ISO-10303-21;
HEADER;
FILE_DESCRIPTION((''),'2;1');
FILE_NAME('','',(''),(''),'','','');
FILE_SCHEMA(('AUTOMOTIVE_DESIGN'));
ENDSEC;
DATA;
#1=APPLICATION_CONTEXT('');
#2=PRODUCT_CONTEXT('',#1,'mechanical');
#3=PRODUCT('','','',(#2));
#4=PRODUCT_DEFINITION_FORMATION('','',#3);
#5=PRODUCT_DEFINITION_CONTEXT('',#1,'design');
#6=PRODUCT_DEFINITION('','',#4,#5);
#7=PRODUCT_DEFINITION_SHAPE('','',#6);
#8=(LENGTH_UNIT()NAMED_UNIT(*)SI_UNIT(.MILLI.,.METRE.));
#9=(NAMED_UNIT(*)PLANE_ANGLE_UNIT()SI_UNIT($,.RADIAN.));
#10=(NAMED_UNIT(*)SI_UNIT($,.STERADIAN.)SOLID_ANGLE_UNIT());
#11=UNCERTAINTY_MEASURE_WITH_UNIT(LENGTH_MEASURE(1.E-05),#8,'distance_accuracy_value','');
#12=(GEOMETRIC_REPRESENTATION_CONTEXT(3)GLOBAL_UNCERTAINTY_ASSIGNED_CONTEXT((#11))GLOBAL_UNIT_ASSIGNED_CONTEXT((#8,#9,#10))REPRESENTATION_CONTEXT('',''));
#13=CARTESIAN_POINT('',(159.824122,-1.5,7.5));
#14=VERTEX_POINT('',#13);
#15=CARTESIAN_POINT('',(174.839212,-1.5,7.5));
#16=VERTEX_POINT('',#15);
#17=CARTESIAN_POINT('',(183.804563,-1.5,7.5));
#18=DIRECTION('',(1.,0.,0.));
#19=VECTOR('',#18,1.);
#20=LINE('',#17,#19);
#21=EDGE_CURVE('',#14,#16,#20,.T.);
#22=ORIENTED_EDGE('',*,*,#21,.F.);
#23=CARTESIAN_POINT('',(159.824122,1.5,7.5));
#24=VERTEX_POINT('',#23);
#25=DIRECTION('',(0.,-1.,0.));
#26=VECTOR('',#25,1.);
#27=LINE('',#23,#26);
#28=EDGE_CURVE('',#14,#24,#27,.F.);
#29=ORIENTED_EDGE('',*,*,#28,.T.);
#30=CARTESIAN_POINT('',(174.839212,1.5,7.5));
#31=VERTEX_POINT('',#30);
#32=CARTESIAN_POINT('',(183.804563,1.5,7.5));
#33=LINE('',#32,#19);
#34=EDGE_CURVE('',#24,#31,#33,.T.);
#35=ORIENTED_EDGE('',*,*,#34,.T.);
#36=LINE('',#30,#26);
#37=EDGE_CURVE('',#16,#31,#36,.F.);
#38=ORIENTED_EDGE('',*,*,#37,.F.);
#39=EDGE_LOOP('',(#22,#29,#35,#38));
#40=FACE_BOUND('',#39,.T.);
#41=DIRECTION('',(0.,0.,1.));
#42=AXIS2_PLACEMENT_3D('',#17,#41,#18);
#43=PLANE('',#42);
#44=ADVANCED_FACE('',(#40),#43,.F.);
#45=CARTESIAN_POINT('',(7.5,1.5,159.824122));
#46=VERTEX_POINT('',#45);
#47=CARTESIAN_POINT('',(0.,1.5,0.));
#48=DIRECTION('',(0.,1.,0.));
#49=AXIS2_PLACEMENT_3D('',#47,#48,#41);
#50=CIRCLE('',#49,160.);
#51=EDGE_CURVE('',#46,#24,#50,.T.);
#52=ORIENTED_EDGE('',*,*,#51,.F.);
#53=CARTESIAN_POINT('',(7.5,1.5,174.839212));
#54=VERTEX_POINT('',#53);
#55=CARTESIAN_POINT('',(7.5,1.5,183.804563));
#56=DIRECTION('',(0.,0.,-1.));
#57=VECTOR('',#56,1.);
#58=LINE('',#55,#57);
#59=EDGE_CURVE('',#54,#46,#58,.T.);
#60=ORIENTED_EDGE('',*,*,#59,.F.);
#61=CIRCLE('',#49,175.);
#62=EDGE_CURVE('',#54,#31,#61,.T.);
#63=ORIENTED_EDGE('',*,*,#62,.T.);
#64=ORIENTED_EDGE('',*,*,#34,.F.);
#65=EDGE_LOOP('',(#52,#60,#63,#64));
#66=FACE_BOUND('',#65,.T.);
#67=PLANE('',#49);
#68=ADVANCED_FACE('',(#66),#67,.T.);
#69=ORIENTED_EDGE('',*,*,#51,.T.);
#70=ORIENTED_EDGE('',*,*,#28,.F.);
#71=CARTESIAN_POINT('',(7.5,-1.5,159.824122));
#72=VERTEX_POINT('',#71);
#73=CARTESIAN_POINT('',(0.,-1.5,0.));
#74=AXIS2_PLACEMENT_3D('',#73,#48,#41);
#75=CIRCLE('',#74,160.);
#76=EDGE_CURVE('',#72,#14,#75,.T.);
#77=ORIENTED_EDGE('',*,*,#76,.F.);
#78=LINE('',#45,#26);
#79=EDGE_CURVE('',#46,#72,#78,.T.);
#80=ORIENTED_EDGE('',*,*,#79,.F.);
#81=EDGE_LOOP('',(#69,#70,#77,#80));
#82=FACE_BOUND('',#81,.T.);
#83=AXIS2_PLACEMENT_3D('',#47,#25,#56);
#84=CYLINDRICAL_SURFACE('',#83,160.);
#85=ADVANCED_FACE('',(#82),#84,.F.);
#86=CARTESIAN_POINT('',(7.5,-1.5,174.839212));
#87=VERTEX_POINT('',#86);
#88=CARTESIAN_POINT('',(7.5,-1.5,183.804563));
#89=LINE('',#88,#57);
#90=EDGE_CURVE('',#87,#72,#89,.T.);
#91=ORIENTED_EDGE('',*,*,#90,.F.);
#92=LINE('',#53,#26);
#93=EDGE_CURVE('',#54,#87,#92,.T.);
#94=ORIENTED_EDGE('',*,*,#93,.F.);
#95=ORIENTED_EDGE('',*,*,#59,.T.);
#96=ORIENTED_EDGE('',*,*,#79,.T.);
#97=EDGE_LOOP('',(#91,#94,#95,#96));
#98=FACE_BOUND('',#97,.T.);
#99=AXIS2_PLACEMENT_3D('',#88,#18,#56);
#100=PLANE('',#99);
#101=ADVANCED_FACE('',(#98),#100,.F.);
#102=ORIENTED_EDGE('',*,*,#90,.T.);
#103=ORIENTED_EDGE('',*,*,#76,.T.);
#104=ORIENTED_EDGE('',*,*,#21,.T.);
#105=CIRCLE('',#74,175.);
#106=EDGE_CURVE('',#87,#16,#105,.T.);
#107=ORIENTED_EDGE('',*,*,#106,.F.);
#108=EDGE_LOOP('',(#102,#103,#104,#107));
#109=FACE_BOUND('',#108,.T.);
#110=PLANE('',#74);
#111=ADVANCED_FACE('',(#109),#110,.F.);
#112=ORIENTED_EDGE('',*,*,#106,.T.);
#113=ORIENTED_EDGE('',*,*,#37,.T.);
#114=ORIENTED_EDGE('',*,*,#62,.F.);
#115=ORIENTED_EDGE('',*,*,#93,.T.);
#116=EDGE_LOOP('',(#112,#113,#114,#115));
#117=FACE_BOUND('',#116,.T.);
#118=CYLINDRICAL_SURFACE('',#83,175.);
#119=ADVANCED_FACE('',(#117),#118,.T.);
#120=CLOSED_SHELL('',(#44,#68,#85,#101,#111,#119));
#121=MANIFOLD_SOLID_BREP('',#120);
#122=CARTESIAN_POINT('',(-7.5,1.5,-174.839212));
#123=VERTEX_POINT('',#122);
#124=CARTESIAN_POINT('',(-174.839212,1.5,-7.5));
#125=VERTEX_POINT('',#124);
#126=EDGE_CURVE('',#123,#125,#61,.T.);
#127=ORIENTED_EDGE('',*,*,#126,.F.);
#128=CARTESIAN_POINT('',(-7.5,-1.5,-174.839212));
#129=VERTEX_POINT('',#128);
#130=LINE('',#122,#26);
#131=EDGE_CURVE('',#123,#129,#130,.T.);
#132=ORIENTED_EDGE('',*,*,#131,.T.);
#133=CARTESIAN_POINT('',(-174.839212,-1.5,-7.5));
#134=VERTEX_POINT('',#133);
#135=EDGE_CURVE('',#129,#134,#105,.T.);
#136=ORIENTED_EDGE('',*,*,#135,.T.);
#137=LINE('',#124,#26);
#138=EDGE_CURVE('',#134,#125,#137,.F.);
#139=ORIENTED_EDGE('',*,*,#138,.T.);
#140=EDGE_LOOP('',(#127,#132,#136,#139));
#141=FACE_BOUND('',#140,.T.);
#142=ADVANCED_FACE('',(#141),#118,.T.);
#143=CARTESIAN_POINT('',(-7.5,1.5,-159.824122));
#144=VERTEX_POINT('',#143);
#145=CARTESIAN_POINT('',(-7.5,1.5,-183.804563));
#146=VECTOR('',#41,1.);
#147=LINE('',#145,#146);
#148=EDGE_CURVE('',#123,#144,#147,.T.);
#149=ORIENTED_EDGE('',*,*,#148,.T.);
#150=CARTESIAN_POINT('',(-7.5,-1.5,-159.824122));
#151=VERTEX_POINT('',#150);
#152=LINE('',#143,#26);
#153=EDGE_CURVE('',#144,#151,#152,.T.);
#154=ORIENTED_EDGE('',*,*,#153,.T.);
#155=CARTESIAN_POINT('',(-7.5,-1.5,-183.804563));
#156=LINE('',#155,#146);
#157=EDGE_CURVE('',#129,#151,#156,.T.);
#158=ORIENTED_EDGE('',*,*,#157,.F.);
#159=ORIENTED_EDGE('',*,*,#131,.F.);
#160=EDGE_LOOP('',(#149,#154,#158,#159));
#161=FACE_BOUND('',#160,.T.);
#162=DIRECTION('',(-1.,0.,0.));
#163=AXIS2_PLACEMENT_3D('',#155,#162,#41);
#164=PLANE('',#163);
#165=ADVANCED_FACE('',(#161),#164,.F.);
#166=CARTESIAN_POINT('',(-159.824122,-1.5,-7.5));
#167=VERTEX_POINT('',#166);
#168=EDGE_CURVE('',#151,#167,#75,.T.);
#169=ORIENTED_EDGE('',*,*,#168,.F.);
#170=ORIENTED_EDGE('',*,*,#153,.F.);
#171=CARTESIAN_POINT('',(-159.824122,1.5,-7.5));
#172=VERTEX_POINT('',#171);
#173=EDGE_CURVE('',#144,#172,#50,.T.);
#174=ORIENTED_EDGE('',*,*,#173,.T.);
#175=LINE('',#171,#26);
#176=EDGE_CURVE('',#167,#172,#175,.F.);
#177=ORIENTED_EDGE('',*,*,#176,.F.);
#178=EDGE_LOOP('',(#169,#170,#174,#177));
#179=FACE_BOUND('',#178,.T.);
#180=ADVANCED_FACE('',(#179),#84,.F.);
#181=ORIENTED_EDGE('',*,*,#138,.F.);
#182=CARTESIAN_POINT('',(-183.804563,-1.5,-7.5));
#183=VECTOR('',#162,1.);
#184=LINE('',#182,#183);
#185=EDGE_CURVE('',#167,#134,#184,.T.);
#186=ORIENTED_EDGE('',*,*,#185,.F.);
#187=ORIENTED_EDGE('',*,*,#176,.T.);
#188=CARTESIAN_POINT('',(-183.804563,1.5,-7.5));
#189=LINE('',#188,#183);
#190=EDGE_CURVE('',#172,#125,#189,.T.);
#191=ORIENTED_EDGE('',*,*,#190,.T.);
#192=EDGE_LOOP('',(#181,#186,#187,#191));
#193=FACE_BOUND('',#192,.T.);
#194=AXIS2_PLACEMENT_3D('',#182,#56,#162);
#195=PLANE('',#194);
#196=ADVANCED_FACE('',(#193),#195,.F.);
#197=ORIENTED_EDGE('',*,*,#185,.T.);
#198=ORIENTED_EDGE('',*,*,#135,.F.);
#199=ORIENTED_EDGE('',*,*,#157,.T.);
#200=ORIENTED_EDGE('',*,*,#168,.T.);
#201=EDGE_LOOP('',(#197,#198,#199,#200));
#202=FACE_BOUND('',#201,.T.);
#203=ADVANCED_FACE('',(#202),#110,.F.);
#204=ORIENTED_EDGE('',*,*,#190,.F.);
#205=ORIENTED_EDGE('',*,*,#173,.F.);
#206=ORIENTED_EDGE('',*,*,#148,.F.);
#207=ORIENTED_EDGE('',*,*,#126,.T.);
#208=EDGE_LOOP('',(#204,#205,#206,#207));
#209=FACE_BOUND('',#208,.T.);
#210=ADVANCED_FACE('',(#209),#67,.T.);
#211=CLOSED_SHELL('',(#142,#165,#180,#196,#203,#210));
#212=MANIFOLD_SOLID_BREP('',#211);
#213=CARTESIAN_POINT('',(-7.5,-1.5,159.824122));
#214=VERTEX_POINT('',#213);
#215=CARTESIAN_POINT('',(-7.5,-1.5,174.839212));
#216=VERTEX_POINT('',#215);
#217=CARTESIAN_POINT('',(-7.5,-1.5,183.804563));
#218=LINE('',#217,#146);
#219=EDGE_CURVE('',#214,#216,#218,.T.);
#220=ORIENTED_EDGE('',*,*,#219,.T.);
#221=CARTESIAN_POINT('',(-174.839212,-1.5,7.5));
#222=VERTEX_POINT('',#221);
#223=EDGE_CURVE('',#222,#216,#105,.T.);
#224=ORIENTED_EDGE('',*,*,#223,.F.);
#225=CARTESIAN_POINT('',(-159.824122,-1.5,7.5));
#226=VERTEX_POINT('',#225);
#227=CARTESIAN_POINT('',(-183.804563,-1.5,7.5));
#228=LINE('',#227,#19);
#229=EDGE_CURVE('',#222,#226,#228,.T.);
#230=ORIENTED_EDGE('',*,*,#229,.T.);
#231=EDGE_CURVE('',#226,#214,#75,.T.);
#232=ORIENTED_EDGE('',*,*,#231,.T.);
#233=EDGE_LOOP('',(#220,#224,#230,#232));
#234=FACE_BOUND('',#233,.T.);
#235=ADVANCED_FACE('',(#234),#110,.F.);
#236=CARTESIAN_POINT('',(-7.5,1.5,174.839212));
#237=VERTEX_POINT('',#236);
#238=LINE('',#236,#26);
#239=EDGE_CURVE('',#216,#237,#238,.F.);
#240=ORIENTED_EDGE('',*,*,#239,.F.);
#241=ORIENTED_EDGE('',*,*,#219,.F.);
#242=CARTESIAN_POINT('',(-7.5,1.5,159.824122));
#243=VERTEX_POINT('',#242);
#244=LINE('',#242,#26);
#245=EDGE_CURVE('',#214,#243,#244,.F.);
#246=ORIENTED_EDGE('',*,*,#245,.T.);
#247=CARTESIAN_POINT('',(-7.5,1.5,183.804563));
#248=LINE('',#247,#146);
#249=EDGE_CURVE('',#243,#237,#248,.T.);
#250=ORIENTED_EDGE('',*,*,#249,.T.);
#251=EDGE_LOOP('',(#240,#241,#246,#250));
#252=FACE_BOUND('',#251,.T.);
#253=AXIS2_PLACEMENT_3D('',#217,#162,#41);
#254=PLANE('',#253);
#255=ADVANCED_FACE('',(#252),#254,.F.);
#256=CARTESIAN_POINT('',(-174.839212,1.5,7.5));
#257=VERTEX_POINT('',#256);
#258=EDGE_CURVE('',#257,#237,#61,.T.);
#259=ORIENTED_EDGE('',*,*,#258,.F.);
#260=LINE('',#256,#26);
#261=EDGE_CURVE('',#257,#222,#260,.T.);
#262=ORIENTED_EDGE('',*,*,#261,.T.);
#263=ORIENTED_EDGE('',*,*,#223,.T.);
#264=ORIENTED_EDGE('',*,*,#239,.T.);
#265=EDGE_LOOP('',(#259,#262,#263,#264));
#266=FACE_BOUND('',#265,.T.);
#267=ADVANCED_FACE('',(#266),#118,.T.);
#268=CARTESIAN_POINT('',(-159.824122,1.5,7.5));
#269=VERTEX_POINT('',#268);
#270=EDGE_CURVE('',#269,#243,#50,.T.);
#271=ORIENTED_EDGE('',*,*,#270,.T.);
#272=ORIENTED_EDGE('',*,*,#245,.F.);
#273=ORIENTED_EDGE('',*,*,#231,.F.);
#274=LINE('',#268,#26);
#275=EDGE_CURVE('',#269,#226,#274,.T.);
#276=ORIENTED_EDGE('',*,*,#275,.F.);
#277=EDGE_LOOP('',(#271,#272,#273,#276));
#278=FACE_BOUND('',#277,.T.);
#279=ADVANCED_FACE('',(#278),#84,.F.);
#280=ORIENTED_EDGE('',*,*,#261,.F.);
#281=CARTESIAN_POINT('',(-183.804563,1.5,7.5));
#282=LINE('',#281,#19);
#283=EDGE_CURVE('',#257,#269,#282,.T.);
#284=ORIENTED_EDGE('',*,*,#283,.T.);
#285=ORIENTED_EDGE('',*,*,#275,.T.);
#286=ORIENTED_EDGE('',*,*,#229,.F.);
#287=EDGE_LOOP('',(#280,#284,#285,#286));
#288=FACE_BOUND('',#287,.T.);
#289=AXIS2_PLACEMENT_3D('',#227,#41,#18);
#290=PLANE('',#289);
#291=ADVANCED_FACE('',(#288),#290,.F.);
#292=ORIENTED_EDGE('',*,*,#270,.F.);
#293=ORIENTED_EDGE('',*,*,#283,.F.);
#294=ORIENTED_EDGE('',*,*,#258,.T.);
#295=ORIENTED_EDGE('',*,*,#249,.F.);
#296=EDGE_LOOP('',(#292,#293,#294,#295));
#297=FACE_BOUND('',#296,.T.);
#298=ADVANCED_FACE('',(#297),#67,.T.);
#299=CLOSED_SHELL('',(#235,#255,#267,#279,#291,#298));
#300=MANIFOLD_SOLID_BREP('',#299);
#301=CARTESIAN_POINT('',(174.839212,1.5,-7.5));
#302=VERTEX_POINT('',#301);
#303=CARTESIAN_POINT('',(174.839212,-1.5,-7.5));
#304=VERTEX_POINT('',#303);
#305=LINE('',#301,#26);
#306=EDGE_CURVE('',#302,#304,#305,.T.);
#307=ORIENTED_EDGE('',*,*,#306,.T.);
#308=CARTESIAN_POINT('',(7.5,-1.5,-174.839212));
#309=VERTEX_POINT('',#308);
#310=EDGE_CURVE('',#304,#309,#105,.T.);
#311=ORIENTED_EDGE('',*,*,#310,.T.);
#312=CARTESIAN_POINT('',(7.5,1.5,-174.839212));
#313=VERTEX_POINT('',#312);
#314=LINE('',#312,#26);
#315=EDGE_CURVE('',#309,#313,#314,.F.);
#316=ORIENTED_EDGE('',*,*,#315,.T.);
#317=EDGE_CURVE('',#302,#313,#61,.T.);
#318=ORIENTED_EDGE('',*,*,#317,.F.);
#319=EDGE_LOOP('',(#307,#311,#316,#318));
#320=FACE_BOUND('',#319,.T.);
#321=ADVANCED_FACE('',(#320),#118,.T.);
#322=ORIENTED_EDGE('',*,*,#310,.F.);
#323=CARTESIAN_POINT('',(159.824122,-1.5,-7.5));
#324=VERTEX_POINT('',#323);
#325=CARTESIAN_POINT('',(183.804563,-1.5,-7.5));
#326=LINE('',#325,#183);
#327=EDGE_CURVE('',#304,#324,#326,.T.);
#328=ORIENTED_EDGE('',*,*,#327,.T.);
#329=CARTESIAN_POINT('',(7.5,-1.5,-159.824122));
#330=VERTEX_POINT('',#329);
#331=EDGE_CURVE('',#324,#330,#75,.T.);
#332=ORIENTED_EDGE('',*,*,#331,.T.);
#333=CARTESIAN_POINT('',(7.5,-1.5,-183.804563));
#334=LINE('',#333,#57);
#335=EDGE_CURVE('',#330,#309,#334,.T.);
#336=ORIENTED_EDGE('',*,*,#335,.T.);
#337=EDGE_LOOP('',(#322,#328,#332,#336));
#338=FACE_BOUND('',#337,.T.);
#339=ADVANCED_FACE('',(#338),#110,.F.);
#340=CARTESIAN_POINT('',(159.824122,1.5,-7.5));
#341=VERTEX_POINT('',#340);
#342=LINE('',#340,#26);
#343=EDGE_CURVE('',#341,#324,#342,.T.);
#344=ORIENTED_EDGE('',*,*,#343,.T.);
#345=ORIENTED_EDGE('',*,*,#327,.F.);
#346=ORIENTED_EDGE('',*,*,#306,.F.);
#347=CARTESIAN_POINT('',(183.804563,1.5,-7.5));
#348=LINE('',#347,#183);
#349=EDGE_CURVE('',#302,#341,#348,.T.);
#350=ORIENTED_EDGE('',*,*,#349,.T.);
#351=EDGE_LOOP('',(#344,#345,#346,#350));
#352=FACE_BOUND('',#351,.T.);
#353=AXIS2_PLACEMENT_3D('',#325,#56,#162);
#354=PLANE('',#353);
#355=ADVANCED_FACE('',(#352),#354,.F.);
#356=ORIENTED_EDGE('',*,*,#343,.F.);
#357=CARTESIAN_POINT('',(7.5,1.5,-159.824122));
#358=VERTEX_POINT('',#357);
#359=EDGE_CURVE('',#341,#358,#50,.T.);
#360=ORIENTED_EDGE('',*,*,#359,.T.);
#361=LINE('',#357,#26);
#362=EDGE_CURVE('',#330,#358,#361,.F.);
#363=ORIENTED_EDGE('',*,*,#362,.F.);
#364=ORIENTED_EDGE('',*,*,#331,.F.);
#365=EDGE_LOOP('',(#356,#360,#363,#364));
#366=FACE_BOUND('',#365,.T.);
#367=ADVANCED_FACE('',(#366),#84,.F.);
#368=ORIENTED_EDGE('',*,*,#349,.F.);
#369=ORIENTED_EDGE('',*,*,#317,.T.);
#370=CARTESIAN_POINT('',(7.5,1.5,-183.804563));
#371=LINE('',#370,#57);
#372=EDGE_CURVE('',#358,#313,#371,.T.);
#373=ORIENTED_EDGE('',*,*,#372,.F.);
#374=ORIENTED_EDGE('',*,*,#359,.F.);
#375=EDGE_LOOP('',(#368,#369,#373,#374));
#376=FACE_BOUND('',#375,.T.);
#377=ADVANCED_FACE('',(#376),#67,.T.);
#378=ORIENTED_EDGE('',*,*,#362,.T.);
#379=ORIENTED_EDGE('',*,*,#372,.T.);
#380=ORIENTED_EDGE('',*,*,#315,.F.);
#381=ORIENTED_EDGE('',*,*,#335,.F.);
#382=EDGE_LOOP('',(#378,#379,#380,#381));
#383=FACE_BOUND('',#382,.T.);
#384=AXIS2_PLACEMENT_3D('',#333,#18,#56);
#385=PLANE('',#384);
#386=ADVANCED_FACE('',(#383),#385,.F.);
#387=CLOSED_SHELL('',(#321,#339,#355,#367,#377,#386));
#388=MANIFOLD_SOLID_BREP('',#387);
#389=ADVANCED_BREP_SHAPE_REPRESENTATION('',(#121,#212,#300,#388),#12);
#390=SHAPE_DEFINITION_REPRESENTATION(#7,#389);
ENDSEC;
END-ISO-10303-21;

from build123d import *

# Parameters (mm, degrees)
SKETCH1_R           = 175
SKETCH1_R_2         = 160
BOSS_EXTRUDE1_DEPTH = 1.5
SKETCH2_W           = 32.609126468
SKETCH2_H           = 15
AXIS_GAP_DEPTH      = 248.49191906
CIRPATTERN1_COUNT   = 4


with BuildPart() as part:
    # Sketch1 → Boss-Extrude1 (new, symmetric)
    with BuildSketch(Plane(origin=(0, 0, 0), x_dir=(1, 0, 0), z_dir=(0, 1, 0))):
        with Locations(Location((0, 0, 0), (0, 0, 270))):
            Circle(SKETCH1_R)
        with Locations(Location((0, 0, 0), (0, 0, 270))):
            Circle(SKETCH1_R_2, mode=Mode.SUBTRACT)
    extrude(amount=BOSS_EXTRUDE1_DEPTH, both=True)

    # Sketch2 → axis gap (cut, symmetric)
    with BuildSketch(Plane(origin=(0, 0, 0), x_dir=(1, 0, 0), z_dir=(0, 1, 0))):
        with Locations((167.5, 0)):
            Rectangle(SKETCH2_W, SKETCH2_H)
    axis_gap = extrude(amount=AXIS_GAP_DEPTH, both=True, mode=Mode.SUBTRACT)

    # CirPattern1: axis gap ×4 about axis
    cirpattern1_axis = Axis((0, 0, 0), (0, 1, 0))
    for i in range(1, CIRPATTERN1_COUNT):
        add(axis_gap.rotate(cirpattern1_axis, i * 360 / CIRPATTERN1_COUNT), mode=Mode.SUBTRACT)


solid = part.part
